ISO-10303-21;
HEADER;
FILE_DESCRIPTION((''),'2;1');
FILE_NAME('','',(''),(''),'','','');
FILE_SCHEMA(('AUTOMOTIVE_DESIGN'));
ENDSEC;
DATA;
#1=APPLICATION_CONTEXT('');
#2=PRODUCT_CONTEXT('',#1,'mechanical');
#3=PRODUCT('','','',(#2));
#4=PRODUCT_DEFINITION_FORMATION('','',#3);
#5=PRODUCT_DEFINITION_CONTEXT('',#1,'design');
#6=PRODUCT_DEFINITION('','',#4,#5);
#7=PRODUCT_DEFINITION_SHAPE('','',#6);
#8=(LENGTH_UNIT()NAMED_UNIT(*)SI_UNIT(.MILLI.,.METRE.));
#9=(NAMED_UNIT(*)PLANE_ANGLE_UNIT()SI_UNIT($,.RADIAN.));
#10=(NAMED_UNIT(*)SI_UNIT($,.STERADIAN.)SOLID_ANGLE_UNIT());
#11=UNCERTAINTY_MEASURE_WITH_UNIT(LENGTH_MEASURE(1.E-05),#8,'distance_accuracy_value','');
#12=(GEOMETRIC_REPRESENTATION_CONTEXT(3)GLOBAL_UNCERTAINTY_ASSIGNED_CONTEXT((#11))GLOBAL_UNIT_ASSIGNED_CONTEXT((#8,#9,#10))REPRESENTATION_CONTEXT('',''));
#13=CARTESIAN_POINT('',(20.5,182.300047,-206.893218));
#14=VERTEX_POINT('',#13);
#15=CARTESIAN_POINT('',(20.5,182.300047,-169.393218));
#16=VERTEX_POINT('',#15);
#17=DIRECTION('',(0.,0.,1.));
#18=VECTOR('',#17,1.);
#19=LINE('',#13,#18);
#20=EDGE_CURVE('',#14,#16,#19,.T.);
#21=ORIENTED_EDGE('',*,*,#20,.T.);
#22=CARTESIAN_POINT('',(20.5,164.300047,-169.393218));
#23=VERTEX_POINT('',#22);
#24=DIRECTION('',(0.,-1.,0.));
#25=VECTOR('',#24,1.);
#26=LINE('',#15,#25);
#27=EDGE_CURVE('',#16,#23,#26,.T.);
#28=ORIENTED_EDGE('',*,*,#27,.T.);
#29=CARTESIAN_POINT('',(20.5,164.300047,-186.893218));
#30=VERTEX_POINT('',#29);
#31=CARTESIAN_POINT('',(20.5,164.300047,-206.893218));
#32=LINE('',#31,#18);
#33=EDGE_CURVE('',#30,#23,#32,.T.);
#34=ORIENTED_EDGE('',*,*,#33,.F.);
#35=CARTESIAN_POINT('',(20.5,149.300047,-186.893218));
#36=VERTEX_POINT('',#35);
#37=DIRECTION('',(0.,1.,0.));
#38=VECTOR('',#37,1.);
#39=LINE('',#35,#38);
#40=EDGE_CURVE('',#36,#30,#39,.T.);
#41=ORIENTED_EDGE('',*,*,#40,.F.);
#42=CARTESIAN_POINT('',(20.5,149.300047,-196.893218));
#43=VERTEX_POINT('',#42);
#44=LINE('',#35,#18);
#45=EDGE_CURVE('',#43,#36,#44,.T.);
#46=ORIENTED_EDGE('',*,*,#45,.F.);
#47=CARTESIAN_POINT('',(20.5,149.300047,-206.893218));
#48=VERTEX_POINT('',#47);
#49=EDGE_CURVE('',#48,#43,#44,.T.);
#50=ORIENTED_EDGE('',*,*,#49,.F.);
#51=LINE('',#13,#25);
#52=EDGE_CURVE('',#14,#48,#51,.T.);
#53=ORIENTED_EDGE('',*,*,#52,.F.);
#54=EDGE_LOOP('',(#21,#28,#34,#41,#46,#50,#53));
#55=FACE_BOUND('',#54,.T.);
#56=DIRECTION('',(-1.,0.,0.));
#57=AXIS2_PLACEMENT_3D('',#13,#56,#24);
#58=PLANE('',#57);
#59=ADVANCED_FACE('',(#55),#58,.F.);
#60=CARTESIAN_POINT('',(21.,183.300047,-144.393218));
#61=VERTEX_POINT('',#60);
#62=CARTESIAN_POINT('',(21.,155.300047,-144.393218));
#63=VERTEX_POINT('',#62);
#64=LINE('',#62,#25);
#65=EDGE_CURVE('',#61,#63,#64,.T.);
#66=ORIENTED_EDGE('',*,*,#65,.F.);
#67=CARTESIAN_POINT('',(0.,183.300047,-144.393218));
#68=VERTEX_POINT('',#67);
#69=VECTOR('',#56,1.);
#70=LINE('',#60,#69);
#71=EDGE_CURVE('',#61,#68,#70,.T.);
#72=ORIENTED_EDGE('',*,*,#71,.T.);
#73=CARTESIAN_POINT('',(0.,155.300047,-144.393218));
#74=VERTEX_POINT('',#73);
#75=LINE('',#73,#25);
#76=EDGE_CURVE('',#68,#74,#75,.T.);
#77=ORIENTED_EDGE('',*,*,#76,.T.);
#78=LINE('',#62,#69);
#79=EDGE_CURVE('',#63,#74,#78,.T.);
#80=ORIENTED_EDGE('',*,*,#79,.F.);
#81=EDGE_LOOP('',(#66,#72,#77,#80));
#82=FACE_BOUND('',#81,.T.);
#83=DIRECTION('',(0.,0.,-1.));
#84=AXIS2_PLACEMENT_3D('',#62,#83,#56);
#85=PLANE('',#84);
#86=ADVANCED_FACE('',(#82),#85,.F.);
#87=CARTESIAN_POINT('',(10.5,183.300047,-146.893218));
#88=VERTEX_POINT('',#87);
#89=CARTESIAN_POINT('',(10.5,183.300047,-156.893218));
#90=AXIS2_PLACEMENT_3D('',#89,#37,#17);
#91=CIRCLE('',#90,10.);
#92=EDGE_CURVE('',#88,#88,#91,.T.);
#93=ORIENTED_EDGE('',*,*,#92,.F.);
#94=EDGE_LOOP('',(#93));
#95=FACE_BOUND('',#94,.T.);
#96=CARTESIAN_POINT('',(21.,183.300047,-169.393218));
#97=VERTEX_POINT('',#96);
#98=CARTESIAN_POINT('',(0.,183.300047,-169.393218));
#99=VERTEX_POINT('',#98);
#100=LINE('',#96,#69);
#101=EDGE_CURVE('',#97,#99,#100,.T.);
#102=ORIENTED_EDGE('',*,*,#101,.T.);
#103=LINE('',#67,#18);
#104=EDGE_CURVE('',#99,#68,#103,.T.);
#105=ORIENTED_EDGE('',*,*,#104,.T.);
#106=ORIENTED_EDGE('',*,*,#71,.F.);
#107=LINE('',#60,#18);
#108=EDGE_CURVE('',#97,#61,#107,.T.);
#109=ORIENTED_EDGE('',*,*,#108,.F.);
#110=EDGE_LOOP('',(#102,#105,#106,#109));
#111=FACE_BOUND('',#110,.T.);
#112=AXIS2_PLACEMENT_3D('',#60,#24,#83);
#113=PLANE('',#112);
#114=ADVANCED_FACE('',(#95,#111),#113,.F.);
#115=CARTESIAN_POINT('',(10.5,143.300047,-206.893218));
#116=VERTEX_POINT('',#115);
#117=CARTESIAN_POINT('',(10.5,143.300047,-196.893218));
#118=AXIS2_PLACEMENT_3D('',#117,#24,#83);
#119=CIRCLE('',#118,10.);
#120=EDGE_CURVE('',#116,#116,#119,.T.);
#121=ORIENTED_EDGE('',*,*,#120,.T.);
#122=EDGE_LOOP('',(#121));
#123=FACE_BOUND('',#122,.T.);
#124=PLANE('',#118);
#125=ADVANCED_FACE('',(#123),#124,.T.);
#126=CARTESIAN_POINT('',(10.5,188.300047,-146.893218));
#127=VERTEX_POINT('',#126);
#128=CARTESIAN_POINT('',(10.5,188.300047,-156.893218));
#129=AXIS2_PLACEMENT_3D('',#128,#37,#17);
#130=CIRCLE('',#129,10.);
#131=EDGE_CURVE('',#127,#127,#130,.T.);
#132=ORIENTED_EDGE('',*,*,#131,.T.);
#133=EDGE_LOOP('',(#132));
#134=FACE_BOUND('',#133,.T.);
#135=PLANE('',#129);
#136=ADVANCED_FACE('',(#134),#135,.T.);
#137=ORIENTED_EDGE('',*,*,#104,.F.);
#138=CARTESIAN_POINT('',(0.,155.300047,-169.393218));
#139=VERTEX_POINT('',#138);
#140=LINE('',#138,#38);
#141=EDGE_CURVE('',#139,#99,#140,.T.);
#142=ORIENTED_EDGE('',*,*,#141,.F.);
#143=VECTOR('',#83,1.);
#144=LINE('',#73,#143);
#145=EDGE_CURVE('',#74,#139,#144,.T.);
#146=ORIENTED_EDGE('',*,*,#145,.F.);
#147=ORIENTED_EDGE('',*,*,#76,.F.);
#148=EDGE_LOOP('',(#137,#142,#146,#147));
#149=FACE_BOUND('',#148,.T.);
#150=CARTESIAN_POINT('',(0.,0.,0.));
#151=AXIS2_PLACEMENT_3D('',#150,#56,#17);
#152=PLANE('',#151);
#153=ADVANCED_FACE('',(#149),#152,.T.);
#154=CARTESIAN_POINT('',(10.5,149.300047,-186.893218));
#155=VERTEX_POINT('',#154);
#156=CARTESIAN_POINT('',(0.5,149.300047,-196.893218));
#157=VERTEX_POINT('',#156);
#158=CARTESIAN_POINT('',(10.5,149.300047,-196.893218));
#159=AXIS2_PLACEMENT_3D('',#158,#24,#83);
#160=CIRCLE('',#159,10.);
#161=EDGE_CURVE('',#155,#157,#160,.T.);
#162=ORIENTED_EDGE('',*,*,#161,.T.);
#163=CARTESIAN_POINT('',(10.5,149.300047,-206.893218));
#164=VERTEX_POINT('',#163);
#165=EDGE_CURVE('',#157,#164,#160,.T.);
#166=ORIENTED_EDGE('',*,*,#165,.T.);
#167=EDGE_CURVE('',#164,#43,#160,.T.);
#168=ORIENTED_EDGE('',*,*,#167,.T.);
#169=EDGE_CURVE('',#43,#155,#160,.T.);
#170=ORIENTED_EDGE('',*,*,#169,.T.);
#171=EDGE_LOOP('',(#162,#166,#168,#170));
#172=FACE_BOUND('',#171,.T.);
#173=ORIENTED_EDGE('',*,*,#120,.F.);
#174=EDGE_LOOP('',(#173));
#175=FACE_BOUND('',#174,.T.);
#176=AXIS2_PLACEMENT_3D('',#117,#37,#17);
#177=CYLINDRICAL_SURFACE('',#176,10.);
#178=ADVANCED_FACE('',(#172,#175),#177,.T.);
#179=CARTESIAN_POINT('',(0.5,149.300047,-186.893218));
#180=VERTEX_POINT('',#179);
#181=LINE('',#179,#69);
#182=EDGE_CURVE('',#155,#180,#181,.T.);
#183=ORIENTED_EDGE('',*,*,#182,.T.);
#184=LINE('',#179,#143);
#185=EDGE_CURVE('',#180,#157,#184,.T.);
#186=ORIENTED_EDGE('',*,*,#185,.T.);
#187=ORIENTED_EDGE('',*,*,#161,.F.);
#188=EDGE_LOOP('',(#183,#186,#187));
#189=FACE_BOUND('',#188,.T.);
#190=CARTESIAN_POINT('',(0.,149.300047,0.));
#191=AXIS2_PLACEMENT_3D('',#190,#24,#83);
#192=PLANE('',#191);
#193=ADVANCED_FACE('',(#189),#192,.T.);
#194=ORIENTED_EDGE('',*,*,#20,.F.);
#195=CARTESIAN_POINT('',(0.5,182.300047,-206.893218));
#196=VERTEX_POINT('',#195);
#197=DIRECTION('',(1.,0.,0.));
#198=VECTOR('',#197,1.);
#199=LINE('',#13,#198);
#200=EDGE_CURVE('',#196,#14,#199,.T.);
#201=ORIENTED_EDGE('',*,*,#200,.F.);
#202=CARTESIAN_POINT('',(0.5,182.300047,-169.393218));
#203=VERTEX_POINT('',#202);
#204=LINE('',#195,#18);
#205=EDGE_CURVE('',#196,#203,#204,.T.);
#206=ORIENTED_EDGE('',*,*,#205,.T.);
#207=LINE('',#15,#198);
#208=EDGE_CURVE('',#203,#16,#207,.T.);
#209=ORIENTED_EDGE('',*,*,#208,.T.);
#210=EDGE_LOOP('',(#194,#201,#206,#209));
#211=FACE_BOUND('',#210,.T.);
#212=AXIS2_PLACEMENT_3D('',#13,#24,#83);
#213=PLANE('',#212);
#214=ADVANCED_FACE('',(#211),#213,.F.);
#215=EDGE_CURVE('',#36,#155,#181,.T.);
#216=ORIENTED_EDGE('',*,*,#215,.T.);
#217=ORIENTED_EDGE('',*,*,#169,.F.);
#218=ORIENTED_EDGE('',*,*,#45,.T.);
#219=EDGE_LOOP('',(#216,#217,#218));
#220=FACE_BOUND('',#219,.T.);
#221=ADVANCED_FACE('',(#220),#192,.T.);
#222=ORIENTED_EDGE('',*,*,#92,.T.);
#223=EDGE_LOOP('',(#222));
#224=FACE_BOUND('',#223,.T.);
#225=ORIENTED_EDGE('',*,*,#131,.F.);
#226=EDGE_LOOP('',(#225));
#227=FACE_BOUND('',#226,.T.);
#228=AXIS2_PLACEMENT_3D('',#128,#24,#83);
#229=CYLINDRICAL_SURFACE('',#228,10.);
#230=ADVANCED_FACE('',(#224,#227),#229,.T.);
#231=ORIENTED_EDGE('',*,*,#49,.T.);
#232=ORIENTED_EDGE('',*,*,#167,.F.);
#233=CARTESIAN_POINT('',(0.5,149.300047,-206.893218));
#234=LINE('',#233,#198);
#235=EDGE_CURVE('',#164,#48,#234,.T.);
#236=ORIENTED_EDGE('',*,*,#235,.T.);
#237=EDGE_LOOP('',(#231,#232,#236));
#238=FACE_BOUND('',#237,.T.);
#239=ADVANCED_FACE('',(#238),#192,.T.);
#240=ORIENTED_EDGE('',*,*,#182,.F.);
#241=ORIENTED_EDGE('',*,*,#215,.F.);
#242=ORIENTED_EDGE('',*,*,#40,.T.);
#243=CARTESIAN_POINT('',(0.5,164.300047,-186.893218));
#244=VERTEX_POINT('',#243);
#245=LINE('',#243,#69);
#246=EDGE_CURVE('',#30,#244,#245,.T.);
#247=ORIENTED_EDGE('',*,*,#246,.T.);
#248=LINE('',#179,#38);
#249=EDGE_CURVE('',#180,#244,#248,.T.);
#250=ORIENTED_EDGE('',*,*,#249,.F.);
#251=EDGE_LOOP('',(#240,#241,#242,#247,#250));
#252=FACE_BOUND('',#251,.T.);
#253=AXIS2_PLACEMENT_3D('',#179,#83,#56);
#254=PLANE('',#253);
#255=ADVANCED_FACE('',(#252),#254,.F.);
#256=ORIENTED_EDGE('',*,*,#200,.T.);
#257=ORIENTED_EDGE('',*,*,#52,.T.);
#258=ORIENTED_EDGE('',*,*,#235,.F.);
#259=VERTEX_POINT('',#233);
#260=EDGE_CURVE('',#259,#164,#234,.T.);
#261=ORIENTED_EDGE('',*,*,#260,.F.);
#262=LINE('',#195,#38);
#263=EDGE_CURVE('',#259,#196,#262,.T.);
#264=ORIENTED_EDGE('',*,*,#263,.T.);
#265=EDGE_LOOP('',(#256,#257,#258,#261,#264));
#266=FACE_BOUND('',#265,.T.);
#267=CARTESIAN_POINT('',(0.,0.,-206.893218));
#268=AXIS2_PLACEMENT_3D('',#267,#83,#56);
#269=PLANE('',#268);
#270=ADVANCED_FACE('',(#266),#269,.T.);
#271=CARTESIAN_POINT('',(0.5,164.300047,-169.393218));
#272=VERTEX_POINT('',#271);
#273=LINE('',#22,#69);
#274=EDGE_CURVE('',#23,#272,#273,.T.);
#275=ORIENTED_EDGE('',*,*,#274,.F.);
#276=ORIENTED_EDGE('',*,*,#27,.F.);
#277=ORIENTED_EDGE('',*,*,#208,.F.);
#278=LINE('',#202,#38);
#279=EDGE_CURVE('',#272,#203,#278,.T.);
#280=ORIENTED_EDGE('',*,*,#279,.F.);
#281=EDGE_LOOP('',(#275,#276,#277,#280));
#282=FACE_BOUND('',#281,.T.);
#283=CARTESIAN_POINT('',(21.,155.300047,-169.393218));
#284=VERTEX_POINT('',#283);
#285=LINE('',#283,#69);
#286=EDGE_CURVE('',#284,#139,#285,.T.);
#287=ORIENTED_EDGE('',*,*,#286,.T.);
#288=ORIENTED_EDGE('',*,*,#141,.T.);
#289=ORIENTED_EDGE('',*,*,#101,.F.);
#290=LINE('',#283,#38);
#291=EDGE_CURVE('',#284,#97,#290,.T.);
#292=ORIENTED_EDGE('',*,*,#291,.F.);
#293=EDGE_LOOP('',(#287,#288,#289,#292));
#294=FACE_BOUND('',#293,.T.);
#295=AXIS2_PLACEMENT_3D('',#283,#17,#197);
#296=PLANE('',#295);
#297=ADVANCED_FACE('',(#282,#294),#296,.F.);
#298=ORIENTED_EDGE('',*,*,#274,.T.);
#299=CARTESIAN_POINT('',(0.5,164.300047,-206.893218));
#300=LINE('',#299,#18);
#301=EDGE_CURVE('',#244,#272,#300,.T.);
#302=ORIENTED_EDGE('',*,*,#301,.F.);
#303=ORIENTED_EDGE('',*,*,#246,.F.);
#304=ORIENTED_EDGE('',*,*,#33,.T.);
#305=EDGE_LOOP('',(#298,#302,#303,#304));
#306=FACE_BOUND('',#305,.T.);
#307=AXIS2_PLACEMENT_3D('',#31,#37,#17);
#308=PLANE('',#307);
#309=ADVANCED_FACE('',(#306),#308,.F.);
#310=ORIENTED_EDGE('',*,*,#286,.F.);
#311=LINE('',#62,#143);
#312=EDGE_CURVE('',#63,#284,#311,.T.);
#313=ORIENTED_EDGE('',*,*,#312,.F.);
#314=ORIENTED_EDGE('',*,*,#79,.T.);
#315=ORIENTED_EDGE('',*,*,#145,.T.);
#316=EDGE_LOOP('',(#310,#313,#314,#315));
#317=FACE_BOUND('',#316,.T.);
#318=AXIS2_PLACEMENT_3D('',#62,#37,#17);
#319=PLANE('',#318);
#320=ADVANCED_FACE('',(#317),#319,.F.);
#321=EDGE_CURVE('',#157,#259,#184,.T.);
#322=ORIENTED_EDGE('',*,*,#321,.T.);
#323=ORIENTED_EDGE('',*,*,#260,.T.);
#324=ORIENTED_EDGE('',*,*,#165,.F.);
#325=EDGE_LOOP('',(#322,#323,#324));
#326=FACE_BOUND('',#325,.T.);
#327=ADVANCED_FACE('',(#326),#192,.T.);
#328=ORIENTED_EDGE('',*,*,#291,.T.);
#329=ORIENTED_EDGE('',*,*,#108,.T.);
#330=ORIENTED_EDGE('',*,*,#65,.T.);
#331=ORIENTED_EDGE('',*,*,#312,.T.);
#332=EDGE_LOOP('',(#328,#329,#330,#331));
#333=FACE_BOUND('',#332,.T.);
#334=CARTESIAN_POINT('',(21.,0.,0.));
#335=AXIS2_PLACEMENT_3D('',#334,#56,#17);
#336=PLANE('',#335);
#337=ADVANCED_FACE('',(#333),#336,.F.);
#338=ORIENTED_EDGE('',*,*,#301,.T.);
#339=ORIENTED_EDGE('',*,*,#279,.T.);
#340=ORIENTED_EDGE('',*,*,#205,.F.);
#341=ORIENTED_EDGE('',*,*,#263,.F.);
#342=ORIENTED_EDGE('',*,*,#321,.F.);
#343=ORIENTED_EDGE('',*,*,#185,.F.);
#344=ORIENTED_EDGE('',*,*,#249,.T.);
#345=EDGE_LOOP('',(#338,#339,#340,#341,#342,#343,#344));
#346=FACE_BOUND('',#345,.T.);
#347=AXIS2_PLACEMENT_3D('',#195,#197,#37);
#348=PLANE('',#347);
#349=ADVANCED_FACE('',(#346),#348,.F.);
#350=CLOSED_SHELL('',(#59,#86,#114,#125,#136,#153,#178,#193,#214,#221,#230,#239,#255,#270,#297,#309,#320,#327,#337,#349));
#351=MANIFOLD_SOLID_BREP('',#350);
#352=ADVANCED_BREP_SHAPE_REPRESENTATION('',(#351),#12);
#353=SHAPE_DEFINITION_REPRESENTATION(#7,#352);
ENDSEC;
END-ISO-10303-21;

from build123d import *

# Parameters (mm, degrees)
ESQUISSE1_W        = 25
ESQUISSE1_H        = 28
BOSS_EXTRU_1_DEPTH = 21
ESQUISSE2_W        = 20
ESQUISSE2_H        = 18
BOSS_EXTRU_2_DEPTH = 37.5
ESQUISSE3_W        = 20
ESQUISSE3_H        = 20
BOSS_EXTRU_3_DEPTH = 15
ESQUISSE5_R        = 10
BOSS_EXTRU_4_DEPTH = 5
ESQUISSE6_R        = 10
BOSS_EXTRU_5_DEPTH = 6


with BuildPart() as part:
    # Esquisse1 → Boss.-Extru.1 (new body)
    with BuildSketch(Plane(origin=(0, 0, 0), x_dir=(0, 0, -1), z_dir=(1, 0, 0))):
        with Locations((156.893217971, 169.300046999)):
            Rectangle(ESQUISSE1_W, ESQUISSE1_H)
    extrude(amount=BOSS_EXTRU_1_DEPTH)

    # Esquisse2 → Boss.-Extru.2 (add)
    with BuildSketch(Plane(origin=(0, 0, -169.393217971), x_dir=(-1, 0, 0), z_dir=(0, 0, -1))):
        with Locations((-10.5, 173.300046999)):
            Rectangle(ESQUISSE2_W, ESQUISSE2_H)
    extrude(amount=BOSS_EXTRU_2_DEPTH)

    # Esquisse3 → Boss.-Extru.3 (add)
    with BuildSketch(Plane.XZ.offset(-164.300046999)):
        with Locations((10.5, -196.893217971)):
            Rectangle(ESQUISSE3_W, ESQUISSE3_H)
    extrude(amount=BOSS_EXTRU_3_DEPTH)

    # Esquisse5 → Boss.-Extru.4 (add)
    with BuildSketch(Plane(origin=(0, 183.300046999, 0), x_dir=(1, 0, 0), z_dir=(0, 1, 0))):
        with Locations(Location((10.5, 156.893217971, 0), (0, 0, 270))):
            Circle(ESQUISSE5_R)
    extrude(amount=BOSS_EXTRU_4_DEPTH)

    # Esquisse6 → Boss.-Extru.5 (add)
    with BuildSketch(Plane(origin=(0, 149.300046999, 0), x_dir=(-1, 0, 0), z_dir=(0, -1, 0))):
        with Locations(Location((-10.5, 196.893217971, 0), (0, 0, 90))):
            Circle(ESQUISSE6_R)
    extrude(amount=BOSS_EXTRU_5_DEPTH)


solid = part.part
